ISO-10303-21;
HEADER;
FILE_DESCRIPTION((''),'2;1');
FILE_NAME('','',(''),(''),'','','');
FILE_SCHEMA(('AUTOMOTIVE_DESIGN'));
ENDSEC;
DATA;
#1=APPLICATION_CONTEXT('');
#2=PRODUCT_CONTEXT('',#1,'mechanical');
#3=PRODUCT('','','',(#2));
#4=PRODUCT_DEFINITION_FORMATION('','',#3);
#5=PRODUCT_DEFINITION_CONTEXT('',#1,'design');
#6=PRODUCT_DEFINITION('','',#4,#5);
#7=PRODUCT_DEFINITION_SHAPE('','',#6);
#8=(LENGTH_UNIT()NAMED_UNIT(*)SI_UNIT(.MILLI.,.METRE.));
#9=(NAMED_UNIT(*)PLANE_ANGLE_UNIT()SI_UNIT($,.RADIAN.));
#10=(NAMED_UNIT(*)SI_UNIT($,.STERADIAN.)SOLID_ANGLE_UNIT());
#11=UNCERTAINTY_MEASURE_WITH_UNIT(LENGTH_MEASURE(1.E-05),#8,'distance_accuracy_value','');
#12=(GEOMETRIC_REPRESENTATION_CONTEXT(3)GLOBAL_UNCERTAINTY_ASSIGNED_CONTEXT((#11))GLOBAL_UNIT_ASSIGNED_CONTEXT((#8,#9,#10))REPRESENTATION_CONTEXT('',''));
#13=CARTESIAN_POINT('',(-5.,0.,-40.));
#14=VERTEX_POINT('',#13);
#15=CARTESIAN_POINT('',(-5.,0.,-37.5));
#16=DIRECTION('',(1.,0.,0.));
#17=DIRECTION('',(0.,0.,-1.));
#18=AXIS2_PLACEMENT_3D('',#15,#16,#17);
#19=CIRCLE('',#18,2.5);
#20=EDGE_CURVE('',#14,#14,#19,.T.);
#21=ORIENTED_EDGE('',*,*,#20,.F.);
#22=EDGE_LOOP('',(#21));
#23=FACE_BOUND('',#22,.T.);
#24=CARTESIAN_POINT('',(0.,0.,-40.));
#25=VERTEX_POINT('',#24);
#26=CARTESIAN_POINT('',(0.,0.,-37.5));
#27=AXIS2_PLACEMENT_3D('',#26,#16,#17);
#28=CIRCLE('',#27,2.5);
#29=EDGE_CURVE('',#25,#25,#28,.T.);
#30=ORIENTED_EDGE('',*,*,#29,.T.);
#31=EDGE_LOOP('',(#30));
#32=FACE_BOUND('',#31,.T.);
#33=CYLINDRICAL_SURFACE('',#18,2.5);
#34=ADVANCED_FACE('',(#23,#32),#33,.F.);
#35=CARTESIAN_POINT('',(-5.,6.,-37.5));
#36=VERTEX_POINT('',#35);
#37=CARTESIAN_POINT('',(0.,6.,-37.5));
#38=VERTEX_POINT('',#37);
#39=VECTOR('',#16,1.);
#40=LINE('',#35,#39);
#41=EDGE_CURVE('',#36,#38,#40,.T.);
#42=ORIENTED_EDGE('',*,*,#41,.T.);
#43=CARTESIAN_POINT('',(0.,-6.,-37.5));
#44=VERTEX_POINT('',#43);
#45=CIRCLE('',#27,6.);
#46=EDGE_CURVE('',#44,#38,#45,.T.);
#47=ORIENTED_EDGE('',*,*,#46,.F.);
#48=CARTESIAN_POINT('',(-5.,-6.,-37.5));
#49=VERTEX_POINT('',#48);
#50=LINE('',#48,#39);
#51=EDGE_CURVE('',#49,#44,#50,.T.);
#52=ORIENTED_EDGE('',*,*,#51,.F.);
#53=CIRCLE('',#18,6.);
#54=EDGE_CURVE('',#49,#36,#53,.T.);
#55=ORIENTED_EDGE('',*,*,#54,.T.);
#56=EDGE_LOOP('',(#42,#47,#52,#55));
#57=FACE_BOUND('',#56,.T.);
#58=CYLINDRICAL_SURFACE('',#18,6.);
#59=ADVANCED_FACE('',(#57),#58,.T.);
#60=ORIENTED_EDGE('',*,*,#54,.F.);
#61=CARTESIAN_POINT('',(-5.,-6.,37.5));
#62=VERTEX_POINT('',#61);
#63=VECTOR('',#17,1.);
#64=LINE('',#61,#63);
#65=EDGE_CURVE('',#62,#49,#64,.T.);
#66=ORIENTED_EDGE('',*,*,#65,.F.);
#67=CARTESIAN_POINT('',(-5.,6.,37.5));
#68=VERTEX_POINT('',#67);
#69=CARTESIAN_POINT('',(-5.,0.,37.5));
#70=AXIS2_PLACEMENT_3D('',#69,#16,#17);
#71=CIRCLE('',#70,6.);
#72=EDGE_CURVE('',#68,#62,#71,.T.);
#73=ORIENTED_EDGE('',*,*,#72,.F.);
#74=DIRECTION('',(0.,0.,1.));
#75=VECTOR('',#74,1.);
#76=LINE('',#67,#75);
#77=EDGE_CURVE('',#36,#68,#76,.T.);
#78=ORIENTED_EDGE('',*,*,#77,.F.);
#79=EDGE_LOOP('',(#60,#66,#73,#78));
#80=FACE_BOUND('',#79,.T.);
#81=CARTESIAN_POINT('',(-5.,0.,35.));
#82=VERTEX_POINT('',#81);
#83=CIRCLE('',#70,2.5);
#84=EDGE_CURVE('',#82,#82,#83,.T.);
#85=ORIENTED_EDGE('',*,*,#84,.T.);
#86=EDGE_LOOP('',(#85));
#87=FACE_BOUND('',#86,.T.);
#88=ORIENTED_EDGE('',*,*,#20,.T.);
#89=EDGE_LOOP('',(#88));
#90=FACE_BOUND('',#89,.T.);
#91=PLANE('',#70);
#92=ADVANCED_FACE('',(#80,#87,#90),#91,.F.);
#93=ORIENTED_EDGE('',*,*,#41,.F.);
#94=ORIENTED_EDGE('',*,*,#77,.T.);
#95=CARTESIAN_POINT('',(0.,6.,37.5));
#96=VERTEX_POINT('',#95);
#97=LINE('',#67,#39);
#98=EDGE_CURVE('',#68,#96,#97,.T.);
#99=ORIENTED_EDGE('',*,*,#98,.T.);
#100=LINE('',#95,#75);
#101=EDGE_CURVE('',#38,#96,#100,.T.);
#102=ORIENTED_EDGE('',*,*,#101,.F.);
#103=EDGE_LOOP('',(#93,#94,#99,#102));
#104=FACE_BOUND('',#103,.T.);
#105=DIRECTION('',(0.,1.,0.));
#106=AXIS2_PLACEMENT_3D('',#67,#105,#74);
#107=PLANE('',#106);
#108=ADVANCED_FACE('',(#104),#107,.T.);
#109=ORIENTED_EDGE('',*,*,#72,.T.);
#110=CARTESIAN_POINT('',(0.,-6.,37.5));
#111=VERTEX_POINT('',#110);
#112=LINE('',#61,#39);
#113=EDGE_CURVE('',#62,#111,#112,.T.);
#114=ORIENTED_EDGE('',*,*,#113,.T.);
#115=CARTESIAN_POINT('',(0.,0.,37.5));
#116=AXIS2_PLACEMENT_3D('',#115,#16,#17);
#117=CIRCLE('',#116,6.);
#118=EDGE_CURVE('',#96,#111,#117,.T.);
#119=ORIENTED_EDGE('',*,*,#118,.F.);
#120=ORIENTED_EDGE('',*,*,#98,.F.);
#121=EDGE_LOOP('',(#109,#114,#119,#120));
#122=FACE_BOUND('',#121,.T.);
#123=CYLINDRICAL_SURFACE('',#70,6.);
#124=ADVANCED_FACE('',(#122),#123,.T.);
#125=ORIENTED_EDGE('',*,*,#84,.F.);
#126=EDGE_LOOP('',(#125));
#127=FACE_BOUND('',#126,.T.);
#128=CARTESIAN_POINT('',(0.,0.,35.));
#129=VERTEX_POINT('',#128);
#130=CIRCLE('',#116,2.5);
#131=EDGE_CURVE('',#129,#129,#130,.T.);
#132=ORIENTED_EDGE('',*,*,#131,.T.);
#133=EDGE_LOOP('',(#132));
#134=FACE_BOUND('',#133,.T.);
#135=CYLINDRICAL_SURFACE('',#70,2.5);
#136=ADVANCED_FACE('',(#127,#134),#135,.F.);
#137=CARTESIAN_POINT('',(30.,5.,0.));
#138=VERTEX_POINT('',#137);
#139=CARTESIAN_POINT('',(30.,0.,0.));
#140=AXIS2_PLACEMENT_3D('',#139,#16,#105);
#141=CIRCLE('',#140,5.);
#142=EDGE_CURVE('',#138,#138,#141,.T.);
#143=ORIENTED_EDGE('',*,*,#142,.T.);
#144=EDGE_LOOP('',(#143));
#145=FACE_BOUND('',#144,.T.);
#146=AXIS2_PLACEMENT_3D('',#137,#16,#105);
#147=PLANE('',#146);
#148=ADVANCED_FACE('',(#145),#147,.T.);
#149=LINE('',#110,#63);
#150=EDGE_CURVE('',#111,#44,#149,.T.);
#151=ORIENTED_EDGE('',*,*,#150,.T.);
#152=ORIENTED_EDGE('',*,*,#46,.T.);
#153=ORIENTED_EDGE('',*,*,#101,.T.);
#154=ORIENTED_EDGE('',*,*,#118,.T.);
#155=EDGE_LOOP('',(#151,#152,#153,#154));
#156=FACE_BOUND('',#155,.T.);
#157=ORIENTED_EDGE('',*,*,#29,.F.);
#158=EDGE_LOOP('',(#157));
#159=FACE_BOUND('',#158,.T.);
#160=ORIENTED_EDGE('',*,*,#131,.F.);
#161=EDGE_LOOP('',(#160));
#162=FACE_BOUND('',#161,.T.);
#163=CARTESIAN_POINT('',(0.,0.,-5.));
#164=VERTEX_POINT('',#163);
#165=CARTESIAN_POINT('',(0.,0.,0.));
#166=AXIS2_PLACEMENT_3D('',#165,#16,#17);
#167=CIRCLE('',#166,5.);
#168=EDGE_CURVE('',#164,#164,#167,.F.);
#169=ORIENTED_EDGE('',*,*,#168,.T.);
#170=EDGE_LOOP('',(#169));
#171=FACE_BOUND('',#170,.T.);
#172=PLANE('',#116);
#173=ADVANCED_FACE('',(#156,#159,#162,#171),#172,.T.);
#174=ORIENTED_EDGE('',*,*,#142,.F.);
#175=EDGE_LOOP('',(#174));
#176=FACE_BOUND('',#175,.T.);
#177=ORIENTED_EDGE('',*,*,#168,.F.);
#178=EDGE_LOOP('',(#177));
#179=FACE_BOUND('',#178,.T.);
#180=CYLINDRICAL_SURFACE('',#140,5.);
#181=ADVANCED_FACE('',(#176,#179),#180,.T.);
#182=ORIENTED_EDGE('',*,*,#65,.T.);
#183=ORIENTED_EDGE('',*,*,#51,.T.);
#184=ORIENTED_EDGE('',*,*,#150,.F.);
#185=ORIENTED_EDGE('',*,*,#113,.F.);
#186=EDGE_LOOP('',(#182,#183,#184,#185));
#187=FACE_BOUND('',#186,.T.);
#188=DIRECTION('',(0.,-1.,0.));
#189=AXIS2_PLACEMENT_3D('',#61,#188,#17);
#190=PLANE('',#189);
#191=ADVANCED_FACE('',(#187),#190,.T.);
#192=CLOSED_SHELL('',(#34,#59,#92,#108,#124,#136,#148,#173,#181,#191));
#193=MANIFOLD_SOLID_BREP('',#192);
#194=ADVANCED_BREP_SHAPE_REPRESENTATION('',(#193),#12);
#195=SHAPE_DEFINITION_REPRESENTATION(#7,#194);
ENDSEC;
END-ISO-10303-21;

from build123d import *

# Parameters (mm, degrees)
ESBO_O1_W                = 30
ESBO_O1_H                = 5
ESBO_O2_R                = 2.5
RESSALTO_EXTRUS_O1_DEPTH = 5


with BuildPart() as part:
    # Esboço1 → Revolução1 (revolve)
    with BuildSketch(Plane.XY):
        with Locations((15, 2.5)):
            Rectangle(ESBO_O1_W, ESBO_O1_H)
    revolve(axis=Axis((30, 0, 0), (-1, 0, 0)))

    # Esboço2 → Ressalto-extrusão1 (add)
    with BuildSketch(Plane(origin=(0, 0, 0), x_dir=(0, 0, -1), z_dir=(1, 0, 0))):
        with BuildLine():
            Line((-37.5, 6), (37.5, 6))
            ThreePointArc((37.5, 6), (43.5, 0), (37.5, -6))
            Line((37.5, -6), (-37.5, -6))
            ThreePointArc((-37.5, -6), (-43.5, 0), (-37.5, 6))
        make_face()
        with Locations((-37.5, 0)):
            Circle(ESBO_O2_R, mode=Mode.SUBTRACT)
        with Locations((37.5, 0)):
            Circle(ESBO_O2_R, mode=Mode.SUBTRACT)
    extrude(amount=-RESSALTO_EXTRUS_O1_DEPTH)


solid = part.part
